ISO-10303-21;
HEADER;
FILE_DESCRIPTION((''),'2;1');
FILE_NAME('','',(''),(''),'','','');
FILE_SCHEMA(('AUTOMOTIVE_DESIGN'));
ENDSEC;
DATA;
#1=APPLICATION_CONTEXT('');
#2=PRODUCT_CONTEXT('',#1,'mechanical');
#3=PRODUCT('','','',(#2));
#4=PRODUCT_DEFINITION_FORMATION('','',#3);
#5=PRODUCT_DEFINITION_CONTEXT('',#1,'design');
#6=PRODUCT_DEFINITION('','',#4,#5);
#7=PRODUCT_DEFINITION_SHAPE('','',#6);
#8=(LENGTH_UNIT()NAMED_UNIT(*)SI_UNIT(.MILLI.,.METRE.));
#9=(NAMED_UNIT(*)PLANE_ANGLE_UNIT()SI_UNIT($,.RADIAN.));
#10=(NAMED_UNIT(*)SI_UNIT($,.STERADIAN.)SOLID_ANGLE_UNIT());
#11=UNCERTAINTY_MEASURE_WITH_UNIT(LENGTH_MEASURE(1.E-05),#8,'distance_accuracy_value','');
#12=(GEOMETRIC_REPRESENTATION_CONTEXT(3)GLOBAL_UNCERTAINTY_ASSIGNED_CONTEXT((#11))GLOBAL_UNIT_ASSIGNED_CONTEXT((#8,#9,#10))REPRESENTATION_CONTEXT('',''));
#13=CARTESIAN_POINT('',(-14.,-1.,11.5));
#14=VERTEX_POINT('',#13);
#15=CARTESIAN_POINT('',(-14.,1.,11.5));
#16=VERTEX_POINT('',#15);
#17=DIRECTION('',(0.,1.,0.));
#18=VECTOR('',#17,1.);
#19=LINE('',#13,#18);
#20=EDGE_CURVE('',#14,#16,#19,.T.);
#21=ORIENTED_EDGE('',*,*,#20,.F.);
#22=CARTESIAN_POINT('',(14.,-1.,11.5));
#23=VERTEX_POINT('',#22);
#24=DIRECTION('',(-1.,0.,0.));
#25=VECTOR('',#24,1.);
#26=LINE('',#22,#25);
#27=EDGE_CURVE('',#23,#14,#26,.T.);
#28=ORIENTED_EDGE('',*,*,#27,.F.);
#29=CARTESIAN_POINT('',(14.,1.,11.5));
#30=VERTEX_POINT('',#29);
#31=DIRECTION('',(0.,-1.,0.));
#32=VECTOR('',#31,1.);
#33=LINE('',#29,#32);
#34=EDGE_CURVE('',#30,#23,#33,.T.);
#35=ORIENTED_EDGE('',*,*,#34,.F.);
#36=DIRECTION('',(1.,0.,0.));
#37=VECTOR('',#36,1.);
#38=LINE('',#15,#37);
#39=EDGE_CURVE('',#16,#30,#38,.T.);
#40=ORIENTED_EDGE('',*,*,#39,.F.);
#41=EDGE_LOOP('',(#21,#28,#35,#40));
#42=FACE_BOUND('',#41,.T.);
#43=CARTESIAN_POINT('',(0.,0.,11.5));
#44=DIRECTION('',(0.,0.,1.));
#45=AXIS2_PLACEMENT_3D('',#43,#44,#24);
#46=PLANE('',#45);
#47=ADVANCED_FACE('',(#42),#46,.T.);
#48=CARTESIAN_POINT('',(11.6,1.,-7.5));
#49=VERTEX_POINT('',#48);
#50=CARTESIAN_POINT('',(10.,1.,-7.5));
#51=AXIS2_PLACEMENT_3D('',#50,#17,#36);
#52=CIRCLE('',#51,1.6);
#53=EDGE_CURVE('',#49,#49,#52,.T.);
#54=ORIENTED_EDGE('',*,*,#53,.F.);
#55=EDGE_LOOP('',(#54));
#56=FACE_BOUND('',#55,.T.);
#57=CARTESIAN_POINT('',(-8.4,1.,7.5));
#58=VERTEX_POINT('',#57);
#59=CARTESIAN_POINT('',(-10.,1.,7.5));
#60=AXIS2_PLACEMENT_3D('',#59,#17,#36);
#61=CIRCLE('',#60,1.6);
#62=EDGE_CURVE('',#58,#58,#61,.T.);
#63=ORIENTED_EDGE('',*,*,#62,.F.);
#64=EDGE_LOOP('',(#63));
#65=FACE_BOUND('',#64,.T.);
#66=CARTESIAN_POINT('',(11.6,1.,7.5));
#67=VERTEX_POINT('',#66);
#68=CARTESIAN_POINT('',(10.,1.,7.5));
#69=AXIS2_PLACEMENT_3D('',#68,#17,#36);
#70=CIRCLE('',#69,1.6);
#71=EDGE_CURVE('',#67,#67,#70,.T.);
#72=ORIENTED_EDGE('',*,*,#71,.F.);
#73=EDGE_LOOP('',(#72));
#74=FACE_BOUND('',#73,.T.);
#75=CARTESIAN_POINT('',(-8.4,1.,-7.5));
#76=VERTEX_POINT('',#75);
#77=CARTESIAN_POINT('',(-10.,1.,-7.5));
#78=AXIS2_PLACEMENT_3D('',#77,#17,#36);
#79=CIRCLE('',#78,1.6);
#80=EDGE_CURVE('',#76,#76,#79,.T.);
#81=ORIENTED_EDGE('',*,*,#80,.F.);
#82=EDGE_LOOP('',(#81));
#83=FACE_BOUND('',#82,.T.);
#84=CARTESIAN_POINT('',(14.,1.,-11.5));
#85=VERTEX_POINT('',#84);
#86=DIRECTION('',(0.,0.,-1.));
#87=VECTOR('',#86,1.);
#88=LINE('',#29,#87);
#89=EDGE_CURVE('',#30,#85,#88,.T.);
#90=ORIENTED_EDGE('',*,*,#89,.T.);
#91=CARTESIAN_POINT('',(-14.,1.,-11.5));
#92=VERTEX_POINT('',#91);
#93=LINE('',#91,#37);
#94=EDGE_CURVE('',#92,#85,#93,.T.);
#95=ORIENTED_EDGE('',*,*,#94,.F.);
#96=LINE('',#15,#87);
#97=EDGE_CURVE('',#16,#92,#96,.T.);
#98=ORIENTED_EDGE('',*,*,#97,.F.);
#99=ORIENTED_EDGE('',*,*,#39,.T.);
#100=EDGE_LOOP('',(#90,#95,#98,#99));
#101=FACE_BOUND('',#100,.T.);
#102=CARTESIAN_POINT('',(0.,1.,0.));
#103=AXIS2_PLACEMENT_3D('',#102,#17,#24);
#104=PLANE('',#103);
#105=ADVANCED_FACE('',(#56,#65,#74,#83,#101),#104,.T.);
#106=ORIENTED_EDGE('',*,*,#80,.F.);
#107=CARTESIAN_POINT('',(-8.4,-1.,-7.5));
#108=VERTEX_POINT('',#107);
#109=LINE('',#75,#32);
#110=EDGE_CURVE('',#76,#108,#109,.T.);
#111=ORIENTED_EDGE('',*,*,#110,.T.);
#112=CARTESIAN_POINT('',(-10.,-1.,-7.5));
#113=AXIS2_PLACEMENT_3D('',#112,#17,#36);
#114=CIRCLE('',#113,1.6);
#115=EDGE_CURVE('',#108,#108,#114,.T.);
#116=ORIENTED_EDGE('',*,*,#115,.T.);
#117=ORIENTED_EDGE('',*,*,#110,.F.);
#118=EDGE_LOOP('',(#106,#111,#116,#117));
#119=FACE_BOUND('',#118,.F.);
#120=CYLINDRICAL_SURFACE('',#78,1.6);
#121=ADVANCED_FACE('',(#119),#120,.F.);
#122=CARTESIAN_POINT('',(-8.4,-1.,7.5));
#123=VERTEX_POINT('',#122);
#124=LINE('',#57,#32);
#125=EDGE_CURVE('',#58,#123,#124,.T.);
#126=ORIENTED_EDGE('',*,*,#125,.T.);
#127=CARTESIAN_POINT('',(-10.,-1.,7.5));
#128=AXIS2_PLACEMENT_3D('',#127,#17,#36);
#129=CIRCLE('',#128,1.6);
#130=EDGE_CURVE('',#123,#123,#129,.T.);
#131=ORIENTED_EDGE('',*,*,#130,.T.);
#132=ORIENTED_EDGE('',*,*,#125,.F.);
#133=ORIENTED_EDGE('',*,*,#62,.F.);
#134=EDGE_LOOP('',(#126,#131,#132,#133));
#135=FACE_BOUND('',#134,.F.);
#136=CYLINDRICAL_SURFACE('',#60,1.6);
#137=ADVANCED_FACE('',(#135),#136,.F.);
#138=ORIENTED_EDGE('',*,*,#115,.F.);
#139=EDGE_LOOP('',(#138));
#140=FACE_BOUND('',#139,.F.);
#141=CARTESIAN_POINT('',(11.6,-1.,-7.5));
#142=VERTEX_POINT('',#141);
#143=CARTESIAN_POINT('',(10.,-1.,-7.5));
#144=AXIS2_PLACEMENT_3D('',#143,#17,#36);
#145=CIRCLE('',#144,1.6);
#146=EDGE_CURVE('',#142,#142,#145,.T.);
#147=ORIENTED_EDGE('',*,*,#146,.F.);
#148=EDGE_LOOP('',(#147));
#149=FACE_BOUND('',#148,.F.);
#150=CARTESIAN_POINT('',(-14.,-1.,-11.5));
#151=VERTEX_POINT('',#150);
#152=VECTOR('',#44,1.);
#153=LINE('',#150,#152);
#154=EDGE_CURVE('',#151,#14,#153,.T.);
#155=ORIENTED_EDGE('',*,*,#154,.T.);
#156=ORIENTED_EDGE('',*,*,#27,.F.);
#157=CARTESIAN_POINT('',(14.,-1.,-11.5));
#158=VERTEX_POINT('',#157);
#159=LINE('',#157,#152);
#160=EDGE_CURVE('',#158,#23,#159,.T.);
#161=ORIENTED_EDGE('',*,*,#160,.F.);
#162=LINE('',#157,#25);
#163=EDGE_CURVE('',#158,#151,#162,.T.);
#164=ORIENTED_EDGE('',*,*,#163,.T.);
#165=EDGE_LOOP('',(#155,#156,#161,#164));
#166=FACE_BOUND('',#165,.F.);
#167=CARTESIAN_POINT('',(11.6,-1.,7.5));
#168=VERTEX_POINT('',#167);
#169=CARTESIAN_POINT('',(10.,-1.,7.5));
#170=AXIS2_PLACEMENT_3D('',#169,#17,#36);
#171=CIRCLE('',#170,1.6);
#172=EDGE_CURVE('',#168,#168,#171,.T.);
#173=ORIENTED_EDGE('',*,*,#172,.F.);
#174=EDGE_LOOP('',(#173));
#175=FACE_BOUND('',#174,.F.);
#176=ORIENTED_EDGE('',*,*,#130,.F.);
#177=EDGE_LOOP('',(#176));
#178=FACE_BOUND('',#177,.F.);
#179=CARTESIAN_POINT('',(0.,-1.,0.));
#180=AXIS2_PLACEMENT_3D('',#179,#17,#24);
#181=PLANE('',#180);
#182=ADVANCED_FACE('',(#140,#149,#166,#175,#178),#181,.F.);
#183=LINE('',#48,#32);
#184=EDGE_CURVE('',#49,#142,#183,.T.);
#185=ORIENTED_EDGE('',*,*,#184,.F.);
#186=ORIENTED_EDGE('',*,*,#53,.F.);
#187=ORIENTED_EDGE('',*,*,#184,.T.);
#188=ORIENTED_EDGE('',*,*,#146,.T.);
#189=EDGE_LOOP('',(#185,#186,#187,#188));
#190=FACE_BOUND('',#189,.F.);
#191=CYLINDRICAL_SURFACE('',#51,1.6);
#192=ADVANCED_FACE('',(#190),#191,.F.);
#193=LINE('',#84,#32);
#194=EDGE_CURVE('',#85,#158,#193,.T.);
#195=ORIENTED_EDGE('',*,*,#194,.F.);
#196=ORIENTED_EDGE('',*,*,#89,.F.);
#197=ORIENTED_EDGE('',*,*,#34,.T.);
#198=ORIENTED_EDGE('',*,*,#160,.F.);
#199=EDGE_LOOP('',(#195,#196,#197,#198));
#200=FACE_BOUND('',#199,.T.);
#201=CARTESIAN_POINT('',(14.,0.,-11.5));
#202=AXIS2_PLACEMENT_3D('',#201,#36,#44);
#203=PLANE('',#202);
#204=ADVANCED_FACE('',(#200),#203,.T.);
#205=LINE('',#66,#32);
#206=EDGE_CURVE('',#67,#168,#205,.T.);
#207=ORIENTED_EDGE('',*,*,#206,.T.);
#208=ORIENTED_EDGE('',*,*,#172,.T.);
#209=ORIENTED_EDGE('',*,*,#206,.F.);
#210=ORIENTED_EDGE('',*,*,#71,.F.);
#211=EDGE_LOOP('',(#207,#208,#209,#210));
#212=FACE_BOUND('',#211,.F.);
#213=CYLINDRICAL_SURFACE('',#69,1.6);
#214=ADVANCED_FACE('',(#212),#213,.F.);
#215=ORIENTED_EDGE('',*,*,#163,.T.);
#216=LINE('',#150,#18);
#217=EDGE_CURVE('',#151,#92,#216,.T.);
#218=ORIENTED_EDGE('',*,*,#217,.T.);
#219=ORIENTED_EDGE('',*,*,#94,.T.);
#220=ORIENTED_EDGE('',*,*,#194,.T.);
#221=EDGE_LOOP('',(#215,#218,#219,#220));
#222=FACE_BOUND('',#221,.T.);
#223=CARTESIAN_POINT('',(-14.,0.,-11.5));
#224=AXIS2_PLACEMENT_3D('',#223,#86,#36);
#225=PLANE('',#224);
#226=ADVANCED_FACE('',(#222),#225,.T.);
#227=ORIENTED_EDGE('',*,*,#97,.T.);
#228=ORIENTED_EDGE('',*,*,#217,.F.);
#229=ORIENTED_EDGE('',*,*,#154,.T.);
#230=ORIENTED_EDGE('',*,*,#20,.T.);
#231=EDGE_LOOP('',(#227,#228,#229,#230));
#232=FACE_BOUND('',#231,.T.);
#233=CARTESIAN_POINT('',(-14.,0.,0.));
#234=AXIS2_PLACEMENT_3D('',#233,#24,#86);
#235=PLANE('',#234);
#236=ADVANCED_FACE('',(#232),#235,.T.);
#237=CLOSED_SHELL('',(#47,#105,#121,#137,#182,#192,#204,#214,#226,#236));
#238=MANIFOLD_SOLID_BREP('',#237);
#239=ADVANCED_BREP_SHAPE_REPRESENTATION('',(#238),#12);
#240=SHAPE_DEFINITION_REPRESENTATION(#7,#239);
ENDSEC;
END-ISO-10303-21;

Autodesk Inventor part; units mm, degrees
ref_plane "YZ Plane" through (0, 0, 0) normal (1, 0, 0) x (0, 1, 0)
ref_plane "XZ Plane" through (0, 0, 0) normal (0, 1, 0) x (-1, 0, 0)
ref_plane "XY Plane" through (0, 0, 0) normal (0, 0, 1) x (1, 0, 0)
sketch "Skizze1" plane through (0, 0, 0) normal (0, 1, 0) x (-1, 0, 0)
  line L0 (14, -11.5) -> (-14, -11.5)
  line L1 (-14, -11.5) -> (-14, 11.5)
  line L2 (-14, 11.5) -> (14, 11.5)
  line L3 (14, 11.5) -> (14, -11.5)
  line L4 (0, -16.1) -> (0, 16.1) projected
  line L5 (-19.6, 0) -> (19.6, 0) projected
  point P0 (0, 0)
  dimension "d0" = 28
  dimension "d1" = 23
extrude "Extrusion1" add sketch "Skizze1" along normal mid plane 2
sketch "Skizze2" plane through (0, 1, 0) normal (0, 1, 0) x (1, 0, 0)
  circle A0 centre (-10, 7.5) radius 1.6
  circle A1 centre (-10, -7.5) radius 1.6
  circle A2 centre (10, 7.5) radius 1.6
  circle A3 centre (10, -7.5) radius 1.6
  line L0 (0, 16.1) -> (0, -16.1) projected
  line L1 (19.6, 0) -> (-19.6, 0) projected
  point P0 (0, 0)
  dimension "d4" = 3.2
  dimension "d5" = 3.2
  dimension "d6" = 3.2
  dimension "d7" = 3.2
  dimension "d8" = 20
  dimension "d9" = 20
  dimension "d10" = 15
  dimension "d11" = 15
  dimension "d12" = 7.5
  dimension "d13" = 10
  dimension "d14" = 10
  dimension "d15" = 7.5
extrude "Extrusion2" cut sketch "Skizze2" against normal up to surface (2 mm away)
properties part number "Ebene3_verbindung"
